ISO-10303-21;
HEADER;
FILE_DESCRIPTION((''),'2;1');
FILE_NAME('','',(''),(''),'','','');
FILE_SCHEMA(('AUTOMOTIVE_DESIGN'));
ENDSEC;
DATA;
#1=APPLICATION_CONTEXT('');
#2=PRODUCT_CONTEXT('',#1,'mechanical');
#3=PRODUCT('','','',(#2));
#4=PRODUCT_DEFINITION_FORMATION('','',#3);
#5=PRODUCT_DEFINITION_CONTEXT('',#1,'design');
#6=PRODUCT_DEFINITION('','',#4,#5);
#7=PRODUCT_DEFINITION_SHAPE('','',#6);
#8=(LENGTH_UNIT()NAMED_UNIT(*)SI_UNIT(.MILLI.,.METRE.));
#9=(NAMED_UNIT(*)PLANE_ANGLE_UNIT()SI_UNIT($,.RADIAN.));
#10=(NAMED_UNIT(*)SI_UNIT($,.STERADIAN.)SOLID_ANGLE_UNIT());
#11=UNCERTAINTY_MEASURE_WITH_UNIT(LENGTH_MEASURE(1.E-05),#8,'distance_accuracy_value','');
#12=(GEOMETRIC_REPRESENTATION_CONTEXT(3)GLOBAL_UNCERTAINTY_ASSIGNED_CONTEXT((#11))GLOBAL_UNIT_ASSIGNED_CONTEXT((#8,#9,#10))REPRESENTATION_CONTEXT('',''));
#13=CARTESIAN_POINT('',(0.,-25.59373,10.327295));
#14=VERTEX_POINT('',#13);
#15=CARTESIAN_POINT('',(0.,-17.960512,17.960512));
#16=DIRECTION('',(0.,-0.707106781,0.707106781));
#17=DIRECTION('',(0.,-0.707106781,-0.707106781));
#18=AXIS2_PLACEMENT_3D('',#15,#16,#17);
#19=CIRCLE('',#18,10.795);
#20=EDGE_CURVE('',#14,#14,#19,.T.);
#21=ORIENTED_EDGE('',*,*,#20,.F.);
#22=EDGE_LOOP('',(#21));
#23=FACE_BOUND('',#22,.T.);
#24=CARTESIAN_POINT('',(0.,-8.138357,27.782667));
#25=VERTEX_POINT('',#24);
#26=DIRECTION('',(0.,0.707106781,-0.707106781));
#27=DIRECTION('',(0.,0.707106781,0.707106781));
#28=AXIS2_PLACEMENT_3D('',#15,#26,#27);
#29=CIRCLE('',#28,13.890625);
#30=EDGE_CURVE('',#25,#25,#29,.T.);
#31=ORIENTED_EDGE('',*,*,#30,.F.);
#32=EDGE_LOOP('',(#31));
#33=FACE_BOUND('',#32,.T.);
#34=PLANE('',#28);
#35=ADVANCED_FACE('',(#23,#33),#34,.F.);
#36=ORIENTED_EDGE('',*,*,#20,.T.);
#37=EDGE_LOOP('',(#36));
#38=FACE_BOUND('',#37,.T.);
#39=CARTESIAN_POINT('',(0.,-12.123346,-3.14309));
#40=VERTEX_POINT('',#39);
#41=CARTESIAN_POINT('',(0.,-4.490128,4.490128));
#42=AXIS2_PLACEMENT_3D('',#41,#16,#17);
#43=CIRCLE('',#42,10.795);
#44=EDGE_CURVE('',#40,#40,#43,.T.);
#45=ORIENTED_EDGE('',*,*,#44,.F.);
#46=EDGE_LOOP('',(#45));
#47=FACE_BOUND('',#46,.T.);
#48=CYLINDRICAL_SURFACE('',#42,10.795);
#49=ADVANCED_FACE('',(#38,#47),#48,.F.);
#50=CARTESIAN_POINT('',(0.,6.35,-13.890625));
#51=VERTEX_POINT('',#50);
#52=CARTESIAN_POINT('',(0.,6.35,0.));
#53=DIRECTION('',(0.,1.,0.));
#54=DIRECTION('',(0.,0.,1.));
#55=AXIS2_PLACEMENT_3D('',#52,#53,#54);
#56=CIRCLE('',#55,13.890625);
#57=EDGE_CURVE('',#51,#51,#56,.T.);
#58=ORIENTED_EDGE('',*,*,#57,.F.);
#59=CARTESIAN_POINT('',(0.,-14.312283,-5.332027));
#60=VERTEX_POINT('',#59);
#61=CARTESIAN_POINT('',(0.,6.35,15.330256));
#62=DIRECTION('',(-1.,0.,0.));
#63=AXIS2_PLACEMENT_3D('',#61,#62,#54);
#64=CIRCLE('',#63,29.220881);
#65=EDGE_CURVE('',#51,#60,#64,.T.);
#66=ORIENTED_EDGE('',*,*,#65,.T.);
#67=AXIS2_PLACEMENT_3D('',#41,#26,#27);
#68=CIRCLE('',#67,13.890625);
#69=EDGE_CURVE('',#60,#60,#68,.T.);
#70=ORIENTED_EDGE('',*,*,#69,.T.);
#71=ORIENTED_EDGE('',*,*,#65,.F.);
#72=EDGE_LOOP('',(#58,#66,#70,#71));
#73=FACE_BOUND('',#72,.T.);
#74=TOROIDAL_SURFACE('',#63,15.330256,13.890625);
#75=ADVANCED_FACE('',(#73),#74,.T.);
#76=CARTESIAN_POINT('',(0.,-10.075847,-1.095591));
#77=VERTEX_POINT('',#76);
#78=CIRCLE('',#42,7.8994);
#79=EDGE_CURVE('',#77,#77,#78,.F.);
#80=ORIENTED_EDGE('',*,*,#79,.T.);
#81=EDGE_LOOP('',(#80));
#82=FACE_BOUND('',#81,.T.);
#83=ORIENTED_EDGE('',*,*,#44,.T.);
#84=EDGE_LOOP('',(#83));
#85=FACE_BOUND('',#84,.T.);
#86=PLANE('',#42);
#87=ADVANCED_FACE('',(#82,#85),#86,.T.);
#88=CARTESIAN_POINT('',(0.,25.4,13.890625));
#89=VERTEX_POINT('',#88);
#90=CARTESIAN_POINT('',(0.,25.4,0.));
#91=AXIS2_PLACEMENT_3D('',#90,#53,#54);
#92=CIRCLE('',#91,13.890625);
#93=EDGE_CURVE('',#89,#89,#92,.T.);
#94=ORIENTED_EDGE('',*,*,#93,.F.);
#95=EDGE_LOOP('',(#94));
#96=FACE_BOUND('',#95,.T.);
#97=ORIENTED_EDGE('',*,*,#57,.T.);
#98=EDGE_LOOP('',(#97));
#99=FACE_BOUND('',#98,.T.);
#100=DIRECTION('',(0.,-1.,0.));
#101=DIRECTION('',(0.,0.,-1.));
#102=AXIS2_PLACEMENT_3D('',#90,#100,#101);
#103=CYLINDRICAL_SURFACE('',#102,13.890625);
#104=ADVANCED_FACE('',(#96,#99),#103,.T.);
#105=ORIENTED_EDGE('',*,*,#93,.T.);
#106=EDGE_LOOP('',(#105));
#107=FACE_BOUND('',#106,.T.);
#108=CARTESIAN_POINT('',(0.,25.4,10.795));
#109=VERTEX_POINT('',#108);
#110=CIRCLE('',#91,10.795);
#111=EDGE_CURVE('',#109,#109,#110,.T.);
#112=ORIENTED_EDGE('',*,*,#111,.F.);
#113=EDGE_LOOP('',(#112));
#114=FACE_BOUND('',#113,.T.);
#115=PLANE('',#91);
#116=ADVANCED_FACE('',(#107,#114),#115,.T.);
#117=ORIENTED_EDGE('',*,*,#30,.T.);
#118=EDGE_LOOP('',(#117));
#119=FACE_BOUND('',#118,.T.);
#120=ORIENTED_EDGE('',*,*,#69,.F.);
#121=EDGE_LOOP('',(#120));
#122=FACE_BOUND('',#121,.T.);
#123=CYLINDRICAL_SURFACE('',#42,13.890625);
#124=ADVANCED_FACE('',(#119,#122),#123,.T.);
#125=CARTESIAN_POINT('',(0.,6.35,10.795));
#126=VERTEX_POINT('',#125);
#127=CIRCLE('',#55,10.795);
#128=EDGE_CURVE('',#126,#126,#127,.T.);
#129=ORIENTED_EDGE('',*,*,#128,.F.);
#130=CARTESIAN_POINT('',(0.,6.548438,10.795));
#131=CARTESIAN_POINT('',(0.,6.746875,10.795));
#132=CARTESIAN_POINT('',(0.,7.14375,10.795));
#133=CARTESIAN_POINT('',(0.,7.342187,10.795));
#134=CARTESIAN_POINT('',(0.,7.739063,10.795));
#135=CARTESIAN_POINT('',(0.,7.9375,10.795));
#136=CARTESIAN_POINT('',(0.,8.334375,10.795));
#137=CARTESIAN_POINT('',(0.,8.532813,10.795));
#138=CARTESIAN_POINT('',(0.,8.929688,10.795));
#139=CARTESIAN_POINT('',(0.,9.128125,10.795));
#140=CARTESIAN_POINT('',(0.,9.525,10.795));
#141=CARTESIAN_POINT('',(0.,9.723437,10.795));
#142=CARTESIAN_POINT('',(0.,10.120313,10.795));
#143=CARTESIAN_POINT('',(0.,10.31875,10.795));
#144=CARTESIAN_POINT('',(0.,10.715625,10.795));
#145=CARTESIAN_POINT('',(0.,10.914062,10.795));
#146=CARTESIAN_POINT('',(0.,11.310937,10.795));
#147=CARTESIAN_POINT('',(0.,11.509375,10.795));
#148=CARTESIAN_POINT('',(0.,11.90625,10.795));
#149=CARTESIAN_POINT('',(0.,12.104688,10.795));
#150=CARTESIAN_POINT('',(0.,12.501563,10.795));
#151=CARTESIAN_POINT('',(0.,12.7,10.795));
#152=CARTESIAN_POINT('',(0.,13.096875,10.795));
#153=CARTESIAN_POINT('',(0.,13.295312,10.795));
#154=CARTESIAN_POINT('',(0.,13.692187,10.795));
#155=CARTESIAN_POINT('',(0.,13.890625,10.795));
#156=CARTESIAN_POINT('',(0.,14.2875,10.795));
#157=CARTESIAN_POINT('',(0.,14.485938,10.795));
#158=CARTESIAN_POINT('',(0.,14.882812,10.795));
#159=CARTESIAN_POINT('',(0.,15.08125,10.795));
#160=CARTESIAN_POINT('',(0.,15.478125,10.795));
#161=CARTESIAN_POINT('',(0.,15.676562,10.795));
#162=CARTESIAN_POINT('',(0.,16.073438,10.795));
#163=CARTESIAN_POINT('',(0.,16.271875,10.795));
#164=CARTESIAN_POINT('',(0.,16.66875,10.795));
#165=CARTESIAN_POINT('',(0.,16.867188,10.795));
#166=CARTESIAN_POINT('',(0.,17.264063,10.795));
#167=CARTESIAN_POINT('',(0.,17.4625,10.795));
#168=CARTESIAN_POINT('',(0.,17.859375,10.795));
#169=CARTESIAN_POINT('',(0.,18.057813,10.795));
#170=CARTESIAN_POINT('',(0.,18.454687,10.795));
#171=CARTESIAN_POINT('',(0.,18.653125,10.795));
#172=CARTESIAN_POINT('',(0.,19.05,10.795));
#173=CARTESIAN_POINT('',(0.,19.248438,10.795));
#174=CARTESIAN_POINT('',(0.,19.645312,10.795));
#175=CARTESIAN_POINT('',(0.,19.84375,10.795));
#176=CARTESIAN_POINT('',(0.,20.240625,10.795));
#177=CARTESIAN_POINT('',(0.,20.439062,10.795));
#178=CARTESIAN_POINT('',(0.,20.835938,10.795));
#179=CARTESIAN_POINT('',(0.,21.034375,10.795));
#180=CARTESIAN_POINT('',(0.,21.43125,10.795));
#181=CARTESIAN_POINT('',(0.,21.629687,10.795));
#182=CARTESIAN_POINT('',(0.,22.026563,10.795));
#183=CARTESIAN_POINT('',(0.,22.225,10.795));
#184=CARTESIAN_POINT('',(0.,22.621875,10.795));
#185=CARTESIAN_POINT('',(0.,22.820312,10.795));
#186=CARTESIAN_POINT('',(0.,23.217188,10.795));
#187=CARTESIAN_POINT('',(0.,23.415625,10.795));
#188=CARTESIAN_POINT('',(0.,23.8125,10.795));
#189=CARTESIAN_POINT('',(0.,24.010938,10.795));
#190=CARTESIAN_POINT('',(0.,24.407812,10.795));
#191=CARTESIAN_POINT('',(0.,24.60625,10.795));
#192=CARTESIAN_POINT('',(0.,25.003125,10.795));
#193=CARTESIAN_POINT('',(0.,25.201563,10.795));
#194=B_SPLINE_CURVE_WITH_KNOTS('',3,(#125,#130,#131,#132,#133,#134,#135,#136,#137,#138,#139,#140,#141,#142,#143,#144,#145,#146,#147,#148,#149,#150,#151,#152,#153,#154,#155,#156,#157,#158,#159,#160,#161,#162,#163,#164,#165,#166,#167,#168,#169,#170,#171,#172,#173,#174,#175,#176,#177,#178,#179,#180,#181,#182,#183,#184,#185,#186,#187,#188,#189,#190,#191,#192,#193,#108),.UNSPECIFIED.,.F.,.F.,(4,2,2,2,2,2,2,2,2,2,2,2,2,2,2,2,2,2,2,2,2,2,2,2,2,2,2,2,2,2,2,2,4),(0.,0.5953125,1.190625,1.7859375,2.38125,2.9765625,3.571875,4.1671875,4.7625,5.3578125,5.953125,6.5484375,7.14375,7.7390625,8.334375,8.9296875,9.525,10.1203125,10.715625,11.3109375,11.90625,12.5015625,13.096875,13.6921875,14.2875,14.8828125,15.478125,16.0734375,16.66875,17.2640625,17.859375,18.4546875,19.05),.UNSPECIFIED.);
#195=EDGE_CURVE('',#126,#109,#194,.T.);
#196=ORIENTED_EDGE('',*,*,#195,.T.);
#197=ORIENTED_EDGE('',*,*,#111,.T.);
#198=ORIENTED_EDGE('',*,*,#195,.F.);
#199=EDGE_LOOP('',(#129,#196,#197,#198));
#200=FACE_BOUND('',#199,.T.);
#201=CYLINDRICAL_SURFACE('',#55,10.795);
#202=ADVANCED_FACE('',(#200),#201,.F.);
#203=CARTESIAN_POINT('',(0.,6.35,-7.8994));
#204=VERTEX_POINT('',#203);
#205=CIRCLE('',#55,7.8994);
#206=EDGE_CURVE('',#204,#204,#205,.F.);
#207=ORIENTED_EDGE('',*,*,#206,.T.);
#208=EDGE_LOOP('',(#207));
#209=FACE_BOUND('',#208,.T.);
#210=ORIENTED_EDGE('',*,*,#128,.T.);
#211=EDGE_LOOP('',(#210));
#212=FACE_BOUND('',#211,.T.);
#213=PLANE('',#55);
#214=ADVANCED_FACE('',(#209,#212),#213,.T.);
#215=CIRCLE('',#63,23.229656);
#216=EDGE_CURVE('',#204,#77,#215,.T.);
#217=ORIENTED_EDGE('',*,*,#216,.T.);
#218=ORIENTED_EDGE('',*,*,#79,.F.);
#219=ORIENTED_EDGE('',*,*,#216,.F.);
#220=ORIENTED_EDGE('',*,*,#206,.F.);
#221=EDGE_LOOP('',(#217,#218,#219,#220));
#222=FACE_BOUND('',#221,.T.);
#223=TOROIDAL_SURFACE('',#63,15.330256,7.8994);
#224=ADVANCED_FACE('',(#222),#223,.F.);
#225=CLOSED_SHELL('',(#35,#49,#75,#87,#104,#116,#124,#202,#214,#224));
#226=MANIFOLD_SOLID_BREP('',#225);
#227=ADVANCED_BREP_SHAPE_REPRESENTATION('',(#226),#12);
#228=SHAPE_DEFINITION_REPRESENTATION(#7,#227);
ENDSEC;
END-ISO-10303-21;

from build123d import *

# Parameters (mm, degrees)
SKETCH3_R          = 13.890625
SKETCH3_R_2        = 7.8994
SKETCH4_R          = 10.795
CUT_EXTRUDE1_DEPTH = 19.05
SKETCH5_R          = 10.795
CUT_EXTRUDE2_DEPTH = 19.05


with BuildPart() as part:
    # Sweep1: sweep along a path in Sketch2
    with BuildLine(Plane(origin=(0, 0, 0), x_dir=(0, 0, -1), z_dir=(1, 0, 0))) as sweep1_path:
        Line((-17.960512242, -17.960512242), (-4.490128061, -4.490128061))
        ThreePointArc((-4.490128061, -4.490128061), (-1.166946263, 0.483364969), (0, 6.35))
        Line((0, 6.35), (0, 25.4))
    # Sketch3 → Sweep1 (sweep)
    with BuildSketch(Plane(origin=(0, 25.4, 0), x_dir=(1, 0, 0), z_dir=(0, 1, 0))):
        Circle(SKETCH3_R)
        Circle(SKETCH3_R_2, mode=Mode.SUBTRACT)
    sweep(path=sweep1_path.line)

    # Sketch4 → Cut-Extrude1 (cut)
    with BuildSketch(Plane(origin=(0, 25.4, 0), x_dir=(1, 0, 0), z_dir=(0, 1, 0))):
        with Locations(Location((0, 0, 0), (0, 0, 270))):
            Circle(SKETCH4_R)
    extrude(amount=-CUT_EXTRUDE1_DEPTH, mode=Mode.SUBTRACT)

    # Sketch5 → Cut-Extrude2 (cut)
    with BuildSketch(Plane(origin=(0, -17.960512242, 17.960512242), x_dir=(1, 0, 0), z_dir=(0, -0.7071067811865559, 0.7071067811865392))):
        with Locations(Location((0, 0, 0), (0, 0, 270))):
            Circle(SKETCH5_R)
    extrude(amount=-CUT_EXTRUDE2_DEPTH, mode=Mode.SUBTRACT)


solid = part.part
